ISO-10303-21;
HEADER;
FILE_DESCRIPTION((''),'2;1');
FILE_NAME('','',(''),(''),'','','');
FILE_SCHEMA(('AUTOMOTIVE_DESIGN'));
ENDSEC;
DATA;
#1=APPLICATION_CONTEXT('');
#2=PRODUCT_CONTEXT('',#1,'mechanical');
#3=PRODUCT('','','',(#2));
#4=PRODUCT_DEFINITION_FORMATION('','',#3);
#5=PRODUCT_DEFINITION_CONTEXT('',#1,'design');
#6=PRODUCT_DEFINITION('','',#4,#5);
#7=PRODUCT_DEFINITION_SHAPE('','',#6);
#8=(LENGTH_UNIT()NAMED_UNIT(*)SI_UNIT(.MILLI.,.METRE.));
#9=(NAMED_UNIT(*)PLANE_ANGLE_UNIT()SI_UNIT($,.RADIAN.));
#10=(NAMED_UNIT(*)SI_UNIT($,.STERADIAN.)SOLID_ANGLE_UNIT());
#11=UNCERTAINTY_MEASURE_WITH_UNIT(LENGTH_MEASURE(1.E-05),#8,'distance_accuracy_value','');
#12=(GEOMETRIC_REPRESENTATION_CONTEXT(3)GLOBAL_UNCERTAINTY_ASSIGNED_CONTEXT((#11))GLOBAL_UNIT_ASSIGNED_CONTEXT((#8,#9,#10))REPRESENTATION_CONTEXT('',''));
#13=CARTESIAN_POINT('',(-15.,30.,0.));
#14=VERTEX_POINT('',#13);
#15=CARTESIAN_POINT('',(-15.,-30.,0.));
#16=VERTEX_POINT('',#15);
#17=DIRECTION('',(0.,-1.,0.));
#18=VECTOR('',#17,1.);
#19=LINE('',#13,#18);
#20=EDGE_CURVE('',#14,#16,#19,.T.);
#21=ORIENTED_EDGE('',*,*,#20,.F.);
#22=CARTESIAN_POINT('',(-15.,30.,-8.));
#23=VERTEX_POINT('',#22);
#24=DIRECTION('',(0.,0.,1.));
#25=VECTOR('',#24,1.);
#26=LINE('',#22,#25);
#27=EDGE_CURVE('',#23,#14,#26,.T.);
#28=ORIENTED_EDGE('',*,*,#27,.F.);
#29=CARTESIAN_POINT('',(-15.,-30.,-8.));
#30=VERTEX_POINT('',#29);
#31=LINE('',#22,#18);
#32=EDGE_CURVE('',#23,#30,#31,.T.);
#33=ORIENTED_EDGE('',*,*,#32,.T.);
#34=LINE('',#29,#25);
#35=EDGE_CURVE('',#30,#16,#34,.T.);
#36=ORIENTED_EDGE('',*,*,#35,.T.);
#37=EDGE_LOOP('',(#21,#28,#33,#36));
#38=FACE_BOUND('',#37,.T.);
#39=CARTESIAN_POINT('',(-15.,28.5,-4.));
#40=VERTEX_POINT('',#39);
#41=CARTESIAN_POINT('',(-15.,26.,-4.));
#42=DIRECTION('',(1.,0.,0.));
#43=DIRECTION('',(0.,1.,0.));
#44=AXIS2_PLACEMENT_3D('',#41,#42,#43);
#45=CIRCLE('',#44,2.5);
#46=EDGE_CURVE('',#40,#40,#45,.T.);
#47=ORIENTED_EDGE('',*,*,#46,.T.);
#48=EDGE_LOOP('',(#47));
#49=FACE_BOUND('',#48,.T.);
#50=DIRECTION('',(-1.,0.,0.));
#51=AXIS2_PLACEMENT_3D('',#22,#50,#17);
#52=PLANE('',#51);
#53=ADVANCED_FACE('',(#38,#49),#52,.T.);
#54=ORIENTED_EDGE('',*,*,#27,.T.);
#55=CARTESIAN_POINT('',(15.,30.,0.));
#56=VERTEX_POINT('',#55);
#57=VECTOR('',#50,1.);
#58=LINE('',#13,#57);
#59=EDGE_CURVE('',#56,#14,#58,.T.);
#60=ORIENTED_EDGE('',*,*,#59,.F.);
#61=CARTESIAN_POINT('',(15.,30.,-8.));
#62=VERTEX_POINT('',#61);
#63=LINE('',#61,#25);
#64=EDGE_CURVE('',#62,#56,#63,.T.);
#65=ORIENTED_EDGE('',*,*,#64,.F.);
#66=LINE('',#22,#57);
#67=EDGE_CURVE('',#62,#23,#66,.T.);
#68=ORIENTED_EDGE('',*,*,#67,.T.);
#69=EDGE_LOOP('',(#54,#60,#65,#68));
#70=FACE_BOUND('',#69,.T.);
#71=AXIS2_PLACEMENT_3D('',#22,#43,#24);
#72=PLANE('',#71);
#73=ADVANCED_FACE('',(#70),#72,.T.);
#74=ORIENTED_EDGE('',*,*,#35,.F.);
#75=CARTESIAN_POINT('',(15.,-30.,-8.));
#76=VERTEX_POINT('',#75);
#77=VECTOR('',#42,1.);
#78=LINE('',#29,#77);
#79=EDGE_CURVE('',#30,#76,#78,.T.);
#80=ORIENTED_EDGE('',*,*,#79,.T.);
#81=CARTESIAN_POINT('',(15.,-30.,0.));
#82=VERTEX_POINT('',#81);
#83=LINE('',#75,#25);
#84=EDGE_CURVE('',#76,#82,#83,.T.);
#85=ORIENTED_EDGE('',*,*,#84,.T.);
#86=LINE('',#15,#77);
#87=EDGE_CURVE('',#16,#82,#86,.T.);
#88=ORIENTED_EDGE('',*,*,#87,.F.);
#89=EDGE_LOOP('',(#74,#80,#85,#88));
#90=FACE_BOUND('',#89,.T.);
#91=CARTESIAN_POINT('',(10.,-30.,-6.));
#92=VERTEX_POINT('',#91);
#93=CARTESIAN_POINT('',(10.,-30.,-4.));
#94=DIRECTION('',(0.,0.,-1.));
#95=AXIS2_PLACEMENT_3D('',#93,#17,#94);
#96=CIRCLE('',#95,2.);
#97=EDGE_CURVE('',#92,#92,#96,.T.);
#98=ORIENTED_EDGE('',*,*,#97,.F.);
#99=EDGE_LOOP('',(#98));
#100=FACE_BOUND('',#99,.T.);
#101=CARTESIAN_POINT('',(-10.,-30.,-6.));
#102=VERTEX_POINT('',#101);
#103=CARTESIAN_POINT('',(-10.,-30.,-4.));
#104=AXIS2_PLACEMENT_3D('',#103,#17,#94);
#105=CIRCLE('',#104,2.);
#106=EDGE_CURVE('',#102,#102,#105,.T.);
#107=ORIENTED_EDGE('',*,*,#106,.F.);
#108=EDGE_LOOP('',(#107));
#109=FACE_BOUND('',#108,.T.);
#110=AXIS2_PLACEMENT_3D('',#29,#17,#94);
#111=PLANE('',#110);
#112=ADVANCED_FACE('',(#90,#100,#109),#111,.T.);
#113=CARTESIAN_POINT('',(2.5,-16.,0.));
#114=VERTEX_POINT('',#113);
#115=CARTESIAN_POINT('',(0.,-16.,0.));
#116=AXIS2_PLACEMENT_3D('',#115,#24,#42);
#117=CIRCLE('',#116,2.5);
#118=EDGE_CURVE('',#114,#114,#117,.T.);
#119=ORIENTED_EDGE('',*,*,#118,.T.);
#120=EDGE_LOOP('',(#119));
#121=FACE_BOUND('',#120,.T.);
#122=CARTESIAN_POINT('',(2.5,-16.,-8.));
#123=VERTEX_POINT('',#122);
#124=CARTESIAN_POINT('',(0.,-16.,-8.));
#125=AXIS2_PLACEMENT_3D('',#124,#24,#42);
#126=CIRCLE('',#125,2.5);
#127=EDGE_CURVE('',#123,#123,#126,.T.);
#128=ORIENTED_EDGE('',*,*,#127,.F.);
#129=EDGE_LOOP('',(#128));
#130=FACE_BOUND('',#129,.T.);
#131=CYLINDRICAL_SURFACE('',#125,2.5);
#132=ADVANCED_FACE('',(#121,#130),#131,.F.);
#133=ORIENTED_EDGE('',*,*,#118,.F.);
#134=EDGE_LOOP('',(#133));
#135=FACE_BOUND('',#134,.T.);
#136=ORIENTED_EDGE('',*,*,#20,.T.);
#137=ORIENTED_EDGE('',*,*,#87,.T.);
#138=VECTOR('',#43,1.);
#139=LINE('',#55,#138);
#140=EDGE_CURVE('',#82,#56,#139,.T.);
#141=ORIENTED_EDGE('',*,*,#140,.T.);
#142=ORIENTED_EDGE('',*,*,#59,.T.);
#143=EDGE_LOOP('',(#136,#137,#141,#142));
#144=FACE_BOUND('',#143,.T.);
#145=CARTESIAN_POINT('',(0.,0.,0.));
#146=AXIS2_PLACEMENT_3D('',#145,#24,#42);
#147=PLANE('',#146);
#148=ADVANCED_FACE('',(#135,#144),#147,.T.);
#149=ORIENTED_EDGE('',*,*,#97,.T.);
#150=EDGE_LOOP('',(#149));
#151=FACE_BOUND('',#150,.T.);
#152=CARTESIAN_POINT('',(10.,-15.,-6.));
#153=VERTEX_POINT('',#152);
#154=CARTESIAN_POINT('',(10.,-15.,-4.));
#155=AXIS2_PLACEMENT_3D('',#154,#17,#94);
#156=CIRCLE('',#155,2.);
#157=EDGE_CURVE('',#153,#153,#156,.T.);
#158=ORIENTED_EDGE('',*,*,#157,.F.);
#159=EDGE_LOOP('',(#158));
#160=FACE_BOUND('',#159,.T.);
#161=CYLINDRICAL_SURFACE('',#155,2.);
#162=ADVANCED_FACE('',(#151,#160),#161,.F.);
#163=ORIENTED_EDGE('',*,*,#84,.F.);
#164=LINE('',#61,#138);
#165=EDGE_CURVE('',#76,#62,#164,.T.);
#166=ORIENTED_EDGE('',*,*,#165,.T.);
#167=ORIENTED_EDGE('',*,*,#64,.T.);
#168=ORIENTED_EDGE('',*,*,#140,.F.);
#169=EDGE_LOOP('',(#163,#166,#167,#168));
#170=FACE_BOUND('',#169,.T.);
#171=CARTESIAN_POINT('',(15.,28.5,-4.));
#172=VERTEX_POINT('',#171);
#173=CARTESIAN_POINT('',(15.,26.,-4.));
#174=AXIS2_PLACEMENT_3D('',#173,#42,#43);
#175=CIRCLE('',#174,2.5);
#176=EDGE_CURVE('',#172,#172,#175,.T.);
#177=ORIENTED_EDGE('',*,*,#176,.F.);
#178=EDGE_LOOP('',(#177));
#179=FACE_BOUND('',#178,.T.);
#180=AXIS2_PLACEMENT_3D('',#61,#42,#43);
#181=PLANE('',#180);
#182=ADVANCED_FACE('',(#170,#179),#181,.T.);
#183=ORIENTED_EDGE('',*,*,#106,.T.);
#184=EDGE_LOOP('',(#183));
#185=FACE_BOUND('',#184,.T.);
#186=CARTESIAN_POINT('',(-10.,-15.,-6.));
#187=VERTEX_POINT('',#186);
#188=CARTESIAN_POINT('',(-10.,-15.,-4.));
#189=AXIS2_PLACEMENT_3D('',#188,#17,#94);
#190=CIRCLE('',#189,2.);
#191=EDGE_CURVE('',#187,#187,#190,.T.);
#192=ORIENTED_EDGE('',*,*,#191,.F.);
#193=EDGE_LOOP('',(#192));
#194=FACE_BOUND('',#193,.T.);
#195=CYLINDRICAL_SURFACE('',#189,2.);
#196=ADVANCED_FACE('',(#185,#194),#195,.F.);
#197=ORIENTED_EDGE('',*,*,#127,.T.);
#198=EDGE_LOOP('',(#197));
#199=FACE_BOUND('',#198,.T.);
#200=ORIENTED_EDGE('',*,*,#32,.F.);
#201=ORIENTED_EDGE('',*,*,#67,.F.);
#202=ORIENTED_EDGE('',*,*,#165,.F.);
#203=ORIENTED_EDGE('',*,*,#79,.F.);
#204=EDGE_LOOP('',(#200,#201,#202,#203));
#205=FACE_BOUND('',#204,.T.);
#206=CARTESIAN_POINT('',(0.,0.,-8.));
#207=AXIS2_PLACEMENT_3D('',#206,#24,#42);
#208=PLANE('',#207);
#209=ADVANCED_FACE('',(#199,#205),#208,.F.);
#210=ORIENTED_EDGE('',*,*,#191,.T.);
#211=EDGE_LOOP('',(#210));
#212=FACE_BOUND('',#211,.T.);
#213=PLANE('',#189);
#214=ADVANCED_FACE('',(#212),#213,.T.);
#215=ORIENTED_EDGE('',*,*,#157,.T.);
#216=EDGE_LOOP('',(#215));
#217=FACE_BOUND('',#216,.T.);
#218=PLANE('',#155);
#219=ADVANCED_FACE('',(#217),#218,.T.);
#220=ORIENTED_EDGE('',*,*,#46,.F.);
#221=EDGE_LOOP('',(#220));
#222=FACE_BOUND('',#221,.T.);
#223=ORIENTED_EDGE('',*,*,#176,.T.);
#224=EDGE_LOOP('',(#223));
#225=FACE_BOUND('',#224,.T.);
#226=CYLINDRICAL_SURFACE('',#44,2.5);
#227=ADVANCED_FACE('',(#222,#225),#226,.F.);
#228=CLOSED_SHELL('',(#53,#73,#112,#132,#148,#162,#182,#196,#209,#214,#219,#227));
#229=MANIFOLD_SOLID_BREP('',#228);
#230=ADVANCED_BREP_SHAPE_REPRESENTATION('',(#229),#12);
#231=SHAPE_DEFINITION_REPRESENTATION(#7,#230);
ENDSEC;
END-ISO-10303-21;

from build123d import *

# Parameters (mm, degrees)
CROQUIS1_W              = 30
CROQUIS1_H              = 60
SALIENTE_EXTRUIR1_DEPTH = 8
CROQUIS2_R              = 2.5
CORTAR_EXTRUIR1_DEPTH   = 44.17406629
CROQUIS3_R              = 2
CORTAR_EXTRUIR2_DEPTH   = 15
CROQUIS4_R              = 2.5
CORTAR_EXTRUIR3_DEPTH   = 35.481879299


with BuildPart() as part:
    # Croquis1 → Saliente-Extruir1 (new body)
    with BuildSketch(Plane.XY):
        Rectangle(CROQUIS1_W, CROQUIS1_H)
    extrude(amount=-SALIENTE_EXTRUIR1_DEPTH)

    # Croquis2 → Cortar-Extruir1 (cut, through all)
    with BuildSketch(Plane(origin=(15, 0, 0), x_dir=(0, 0, -1), z_dir=(1, 0, 0))):
        with Locations(Location((4, 26, 0), (0, 0, 90))):
            Circle(CROQUIS2_R)
    extrude(amount=-CORTAR_EXTRUIR1_DEPTH, mode=Mode.SUBTRACT)

    # Croquis3 → Cortar-Extruir2 (cut)
    with BuildSketch(Plane.XZ.offset(30)):
        with Locations(Location((-10, -4, 0), (0, 0, 270))):
            Circle(CROQUIS3_R)
        with Locations(Location((10, -4, 0), (0, 0, 270))):
            Circle(CROQUIS3_R)
    extrude(amount=-CORTAR_EXTRUIR2_DEPTH, mode=Mode.SUBTRACT)

    # Croquis4 → Cortar-Extruir3 (cut, through all)
    with BuildSketch(Plane.XY):
        with Locations((0, -16)):
            Circle(CROQUIS4_R)
    extrude(amount=-CORTAR_EXTRUIR3_DEPTH, mode=Mode.SUBTRACT)


solid = part.part
